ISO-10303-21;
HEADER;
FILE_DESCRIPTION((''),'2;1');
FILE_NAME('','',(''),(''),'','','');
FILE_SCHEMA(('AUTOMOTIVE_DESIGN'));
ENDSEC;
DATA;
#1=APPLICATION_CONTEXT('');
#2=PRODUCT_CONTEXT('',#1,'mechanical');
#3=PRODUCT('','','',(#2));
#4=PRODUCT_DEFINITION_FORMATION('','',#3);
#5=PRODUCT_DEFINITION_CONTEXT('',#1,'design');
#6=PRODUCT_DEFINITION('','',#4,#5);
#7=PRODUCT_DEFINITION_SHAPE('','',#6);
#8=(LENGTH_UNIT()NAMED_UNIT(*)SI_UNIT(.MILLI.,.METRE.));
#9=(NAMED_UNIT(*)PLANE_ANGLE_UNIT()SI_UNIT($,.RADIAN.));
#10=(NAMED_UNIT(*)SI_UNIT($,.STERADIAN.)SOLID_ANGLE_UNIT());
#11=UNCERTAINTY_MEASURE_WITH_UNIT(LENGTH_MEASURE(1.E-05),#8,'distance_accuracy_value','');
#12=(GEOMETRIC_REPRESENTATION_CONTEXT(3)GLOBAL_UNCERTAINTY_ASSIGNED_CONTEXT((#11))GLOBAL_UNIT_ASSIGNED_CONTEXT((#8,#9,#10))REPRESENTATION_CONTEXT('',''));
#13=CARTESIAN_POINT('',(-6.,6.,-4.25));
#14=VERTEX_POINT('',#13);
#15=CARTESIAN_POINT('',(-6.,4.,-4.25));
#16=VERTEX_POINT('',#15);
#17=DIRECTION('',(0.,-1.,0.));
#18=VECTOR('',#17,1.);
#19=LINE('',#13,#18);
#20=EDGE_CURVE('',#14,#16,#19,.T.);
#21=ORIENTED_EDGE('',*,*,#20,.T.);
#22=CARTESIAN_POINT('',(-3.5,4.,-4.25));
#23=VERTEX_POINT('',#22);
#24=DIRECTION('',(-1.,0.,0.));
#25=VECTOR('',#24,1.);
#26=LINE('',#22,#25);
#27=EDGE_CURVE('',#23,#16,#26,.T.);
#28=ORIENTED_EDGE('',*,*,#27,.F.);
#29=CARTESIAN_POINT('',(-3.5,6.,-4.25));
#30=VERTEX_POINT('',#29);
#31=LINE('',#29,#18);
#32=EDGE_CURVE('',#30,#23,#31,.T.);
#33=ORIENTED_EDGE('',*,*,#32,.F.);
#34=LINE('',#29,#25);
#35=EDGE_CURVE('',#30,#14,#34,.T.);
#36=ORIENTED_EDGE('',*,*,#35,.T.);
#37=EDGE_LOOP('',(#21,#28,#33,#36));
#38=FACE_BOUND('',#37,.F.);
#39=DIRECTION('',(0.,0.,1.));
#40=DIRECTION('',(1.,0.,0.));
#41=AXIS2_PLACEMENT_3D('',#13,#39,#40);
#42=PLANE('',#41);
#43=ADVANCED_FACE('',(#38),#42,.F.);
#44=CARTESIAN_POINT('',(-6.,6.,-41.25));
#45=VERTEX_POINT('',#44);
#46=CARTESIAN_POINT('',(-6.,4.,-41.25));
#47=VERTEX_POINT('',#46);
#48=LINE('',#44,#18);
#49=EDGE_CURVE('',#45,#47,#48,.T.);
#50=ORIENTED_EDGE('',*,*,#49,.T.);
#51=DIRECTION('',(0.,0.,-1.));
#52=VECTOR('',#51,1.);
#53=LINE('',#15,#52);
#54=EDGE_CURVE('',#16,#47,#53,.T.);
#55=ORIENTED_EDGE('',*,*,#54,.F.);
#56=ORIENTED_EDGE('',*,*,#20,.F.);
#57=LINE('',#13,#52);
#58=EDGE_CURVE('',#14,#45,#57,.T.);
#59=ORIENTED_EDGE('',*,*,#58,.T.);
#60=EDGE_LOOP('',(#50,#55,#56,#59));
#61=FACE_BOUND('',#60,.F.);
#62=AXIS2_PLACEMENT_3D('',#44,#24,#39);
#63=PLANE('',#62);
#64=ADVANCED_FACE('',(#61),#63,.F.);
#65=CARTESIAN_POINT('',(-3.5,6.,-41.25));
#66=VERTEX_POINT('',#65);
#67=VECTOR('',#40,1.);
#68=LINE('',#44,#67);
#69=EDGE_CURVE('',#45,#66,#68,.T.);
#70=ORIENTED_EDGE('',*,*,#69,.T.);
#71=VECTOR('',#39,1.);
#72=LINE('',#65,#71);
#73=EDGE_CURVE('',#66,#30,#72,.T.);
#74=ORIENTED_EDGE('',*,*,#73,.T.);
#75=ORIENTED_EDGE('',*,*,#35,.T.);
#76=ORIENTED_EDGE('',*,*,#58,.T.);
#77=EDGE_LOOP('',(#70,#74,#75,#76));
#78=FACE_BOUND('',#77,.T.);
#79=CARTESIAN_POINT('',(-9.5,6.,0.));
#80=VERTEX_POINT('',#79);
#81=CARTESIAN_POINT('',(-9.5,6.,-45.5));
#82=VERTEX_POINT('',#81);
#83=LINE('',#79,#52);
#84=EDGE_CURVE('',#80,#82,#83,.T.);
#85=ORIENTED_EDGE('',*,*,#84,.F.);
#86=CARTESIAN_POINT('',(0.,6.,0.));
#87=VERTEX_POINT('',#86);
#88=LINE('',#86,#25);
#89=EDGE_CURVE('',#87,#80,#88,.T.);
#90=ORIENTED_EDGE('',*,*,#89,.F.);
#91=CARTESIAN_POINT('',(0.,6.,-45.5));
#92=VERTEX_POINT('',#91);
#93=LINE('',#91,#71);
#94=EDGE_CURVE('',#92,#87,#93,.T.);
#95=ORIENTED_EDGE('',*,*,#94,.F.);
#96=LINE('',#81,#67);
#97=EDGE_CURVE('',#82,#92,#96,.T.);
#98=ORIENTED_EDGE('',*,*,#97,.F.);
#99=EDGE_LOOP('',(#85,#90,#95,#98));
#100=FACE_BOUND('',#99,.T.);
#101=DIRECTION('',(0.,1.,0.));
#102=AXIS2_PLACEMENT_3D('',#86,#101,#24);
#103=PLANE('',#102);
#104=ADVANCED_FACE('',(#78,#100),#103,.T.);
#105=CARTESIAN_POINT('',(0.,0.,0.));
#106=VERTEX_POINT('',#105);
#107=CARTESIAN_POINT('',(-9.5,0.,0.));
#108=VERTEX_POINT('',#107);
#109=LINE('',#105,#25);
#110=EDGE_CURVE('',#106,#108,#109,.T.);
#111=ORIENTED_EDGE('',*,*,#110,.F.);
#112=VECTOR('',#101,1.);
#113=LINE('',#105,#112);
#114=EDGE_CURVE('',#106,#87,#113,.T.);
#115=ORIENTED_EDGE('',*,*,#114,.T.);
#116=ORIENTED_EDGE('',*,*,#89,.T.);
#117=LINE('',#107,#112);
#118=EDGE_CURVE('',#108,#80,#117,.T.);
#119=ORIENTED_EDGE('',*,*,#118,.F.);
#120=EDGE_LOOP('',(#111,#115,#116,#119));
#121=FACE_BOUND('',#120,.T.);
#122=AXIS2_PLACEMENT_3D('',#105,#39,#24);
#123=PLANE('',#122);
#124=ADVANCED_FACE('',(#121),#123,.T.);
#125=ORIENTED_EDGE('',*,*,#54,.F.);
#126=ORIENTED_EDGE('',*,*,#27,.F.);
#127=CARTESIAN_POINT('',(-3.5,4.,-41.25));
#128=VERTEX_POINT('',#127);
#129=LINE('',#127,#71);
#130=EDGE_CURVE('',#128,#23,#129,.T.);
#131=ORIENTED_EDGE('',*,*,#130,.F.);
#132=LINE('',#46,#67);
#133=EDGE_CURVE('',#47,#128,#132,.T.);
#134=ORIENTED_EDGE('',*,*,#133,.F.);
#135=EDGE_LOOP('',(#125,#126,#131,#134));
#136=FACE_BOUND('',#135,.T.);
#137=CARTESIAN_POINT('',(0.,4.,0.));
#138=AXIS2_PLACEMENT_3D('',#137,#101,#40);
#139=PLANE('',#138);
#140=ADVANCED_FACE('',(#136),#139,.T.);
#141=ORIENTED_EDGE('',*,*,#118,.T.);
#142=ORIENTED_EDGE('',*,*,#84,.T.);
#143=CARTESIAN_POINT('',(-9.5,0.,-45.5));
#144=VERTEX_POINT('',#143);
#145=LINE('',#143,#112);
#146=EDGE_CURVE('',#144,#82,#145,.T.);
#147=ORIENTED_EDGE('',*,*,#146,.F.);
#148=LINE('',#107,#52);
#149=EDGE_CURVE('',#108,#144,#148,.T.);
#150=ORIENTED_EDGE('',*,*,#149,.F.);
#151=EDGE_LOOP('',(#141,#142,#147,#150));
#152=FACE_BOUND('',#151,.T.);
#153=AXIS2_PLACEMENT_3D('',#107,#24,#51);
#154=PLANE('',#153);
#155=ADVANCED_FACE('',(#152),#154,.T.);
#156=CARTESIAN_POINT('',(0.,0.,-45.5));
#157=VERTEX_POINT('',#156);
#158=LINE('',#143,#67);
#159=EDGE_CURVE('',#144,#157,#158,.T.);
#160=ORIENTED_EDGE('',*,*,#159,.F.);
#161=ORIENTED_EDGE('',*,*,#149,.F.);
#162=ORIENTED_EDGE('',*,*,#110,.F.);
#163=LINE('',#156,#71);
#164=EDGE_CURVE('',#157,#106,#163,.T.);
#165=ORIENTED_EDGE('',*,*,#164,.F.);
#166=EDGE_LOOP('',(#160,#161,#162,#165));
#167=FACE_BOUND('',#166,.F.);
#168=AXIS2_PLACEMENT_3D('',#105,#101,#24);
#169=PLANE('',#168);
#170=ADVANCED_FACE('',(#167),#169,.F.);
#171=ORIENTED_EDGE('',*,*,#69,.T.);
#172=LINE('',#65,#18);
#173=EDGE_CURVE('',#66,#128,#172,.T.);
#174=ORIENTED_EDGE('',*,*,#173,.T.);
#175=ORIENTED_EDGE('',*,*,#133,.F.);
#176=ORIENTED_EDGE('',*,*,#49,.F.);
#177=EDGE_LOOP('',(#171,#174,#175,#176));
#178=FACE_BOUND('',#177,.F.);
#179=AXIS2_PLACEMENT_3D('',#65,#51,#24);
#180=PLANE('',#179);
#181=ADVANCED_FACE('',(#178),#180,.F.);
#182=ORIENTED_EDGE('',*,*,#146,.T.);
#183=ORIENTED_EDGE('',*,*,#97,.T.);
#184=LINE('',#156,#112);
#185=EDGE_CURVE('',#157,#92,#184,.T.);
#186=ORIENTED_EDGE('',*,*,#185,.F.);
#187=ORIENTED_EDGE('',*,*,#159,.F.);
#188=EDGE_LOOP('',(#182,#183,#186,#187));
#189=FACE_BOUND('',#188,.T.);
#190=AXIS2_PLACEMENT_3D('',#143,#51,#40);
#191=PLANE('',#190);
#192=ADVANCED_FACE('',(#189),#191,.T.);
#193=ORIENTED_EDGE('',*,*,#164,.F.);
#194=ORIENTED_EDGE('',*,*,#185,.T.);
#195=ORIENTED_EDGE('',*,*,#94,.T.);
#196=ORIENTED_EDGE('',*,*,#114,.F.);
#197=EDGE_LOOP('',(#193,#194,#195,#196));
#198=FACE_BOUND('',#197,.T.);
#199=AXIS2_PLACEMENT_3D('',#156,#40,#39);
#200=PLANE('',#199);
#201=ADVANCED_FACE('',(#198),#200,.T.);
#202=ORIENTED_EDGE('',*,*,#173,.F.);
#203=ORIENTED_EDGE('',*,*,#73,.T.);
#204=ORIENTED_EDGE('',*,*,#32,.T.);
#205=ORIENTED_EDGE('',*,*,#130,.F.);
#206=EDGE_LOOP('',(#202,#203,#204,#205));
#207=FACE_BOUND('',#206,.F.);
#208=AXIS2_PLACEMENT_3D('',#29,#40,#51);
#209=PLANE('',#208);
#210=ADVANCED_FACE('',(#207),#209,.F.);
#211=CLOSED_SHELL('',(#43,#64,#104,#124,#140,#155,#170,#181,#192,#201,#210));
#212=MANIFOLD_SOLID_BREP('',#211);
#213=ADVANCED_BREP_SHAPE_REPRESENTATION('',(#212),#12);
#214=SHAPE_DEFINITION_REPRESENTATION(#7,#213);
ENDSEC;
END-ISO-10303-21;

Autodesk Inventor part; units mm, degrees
ref_plane "YZ Plane" through (0, 0, 0) normal (1, 0, 0) x (0, 1, 0)
ref_plane "XZ Plane" through (0, 0, 0) normal (0, 1, 0) x (-1, 0, 0)
ref_plane "XY Plane" through (0, 0, 0) normal (0, 0, 1) x (1, 0, 0)
sketch "Sketch1" plane through (0, 0, 0) normal (0, 1, 0) x (-1, 0, 0)
  line L0 (0, 0) -> (9.5, 0)
  line L1 (9.5, 0) -> (9.5, -45.5)
  line L2 (9.5, -45.5) -> (0, -45.5)
  line L3 (0, -45.5) -> (0, 0)
  dimension "d0" = 9.5
  dimension "d1" = 45.5
extrude "Extrusion1" add sketch "Sketch1" along normal blind 6
sketch "Sketch2" plane through (0, 6, 0) normal (0, 1, 0) x (1, 0, 0)
  line L0 (-9.5, 0) -> (0, 0) projected
  line L1 (0, 0) -> (0, 45.5) projected
  line L2 (0, 45.5) -> (-9.5, 45.5) projected
  line L3 (-9.5, 45.5) -> (-9.5, 0) projected
  line L4 (-6, 4.25) -> (-3.5, 4.25)
  line L5 (-3.5, 4.25) -> (-3.5, 41.25)
  line L6 (-3.5, 41.25) -> (-6, 41.25)
  line L7 (-6, 41.25) -> (-6, 4.25)
  line L8 (-4.75, 41.25) -> (-4.75, 45.5)
  line L9 (0, 45.5) -> (-9.5, 45.5) projected
  line L10 (-6, 22.75) -> (-9.5, 22.75)
  line L11 (-9.5, 45.5) -> (-9.5, 0) projected
  line L12 (-4.75, 4.25) -> (-4.75, 0)
  line L13 (-9.5, 0) -> (0, 0) projected
  line L14 (-3.5, 22.75) -> (0, 22.75)
  dimension "d4" = 2.5
  dimension "d5" = 37
extrude "Extrusion2" cut sketch "Sketch2" against normal blind 2 contours L4 L7 L6 L5
properties part number "Linear Resistor Body"
